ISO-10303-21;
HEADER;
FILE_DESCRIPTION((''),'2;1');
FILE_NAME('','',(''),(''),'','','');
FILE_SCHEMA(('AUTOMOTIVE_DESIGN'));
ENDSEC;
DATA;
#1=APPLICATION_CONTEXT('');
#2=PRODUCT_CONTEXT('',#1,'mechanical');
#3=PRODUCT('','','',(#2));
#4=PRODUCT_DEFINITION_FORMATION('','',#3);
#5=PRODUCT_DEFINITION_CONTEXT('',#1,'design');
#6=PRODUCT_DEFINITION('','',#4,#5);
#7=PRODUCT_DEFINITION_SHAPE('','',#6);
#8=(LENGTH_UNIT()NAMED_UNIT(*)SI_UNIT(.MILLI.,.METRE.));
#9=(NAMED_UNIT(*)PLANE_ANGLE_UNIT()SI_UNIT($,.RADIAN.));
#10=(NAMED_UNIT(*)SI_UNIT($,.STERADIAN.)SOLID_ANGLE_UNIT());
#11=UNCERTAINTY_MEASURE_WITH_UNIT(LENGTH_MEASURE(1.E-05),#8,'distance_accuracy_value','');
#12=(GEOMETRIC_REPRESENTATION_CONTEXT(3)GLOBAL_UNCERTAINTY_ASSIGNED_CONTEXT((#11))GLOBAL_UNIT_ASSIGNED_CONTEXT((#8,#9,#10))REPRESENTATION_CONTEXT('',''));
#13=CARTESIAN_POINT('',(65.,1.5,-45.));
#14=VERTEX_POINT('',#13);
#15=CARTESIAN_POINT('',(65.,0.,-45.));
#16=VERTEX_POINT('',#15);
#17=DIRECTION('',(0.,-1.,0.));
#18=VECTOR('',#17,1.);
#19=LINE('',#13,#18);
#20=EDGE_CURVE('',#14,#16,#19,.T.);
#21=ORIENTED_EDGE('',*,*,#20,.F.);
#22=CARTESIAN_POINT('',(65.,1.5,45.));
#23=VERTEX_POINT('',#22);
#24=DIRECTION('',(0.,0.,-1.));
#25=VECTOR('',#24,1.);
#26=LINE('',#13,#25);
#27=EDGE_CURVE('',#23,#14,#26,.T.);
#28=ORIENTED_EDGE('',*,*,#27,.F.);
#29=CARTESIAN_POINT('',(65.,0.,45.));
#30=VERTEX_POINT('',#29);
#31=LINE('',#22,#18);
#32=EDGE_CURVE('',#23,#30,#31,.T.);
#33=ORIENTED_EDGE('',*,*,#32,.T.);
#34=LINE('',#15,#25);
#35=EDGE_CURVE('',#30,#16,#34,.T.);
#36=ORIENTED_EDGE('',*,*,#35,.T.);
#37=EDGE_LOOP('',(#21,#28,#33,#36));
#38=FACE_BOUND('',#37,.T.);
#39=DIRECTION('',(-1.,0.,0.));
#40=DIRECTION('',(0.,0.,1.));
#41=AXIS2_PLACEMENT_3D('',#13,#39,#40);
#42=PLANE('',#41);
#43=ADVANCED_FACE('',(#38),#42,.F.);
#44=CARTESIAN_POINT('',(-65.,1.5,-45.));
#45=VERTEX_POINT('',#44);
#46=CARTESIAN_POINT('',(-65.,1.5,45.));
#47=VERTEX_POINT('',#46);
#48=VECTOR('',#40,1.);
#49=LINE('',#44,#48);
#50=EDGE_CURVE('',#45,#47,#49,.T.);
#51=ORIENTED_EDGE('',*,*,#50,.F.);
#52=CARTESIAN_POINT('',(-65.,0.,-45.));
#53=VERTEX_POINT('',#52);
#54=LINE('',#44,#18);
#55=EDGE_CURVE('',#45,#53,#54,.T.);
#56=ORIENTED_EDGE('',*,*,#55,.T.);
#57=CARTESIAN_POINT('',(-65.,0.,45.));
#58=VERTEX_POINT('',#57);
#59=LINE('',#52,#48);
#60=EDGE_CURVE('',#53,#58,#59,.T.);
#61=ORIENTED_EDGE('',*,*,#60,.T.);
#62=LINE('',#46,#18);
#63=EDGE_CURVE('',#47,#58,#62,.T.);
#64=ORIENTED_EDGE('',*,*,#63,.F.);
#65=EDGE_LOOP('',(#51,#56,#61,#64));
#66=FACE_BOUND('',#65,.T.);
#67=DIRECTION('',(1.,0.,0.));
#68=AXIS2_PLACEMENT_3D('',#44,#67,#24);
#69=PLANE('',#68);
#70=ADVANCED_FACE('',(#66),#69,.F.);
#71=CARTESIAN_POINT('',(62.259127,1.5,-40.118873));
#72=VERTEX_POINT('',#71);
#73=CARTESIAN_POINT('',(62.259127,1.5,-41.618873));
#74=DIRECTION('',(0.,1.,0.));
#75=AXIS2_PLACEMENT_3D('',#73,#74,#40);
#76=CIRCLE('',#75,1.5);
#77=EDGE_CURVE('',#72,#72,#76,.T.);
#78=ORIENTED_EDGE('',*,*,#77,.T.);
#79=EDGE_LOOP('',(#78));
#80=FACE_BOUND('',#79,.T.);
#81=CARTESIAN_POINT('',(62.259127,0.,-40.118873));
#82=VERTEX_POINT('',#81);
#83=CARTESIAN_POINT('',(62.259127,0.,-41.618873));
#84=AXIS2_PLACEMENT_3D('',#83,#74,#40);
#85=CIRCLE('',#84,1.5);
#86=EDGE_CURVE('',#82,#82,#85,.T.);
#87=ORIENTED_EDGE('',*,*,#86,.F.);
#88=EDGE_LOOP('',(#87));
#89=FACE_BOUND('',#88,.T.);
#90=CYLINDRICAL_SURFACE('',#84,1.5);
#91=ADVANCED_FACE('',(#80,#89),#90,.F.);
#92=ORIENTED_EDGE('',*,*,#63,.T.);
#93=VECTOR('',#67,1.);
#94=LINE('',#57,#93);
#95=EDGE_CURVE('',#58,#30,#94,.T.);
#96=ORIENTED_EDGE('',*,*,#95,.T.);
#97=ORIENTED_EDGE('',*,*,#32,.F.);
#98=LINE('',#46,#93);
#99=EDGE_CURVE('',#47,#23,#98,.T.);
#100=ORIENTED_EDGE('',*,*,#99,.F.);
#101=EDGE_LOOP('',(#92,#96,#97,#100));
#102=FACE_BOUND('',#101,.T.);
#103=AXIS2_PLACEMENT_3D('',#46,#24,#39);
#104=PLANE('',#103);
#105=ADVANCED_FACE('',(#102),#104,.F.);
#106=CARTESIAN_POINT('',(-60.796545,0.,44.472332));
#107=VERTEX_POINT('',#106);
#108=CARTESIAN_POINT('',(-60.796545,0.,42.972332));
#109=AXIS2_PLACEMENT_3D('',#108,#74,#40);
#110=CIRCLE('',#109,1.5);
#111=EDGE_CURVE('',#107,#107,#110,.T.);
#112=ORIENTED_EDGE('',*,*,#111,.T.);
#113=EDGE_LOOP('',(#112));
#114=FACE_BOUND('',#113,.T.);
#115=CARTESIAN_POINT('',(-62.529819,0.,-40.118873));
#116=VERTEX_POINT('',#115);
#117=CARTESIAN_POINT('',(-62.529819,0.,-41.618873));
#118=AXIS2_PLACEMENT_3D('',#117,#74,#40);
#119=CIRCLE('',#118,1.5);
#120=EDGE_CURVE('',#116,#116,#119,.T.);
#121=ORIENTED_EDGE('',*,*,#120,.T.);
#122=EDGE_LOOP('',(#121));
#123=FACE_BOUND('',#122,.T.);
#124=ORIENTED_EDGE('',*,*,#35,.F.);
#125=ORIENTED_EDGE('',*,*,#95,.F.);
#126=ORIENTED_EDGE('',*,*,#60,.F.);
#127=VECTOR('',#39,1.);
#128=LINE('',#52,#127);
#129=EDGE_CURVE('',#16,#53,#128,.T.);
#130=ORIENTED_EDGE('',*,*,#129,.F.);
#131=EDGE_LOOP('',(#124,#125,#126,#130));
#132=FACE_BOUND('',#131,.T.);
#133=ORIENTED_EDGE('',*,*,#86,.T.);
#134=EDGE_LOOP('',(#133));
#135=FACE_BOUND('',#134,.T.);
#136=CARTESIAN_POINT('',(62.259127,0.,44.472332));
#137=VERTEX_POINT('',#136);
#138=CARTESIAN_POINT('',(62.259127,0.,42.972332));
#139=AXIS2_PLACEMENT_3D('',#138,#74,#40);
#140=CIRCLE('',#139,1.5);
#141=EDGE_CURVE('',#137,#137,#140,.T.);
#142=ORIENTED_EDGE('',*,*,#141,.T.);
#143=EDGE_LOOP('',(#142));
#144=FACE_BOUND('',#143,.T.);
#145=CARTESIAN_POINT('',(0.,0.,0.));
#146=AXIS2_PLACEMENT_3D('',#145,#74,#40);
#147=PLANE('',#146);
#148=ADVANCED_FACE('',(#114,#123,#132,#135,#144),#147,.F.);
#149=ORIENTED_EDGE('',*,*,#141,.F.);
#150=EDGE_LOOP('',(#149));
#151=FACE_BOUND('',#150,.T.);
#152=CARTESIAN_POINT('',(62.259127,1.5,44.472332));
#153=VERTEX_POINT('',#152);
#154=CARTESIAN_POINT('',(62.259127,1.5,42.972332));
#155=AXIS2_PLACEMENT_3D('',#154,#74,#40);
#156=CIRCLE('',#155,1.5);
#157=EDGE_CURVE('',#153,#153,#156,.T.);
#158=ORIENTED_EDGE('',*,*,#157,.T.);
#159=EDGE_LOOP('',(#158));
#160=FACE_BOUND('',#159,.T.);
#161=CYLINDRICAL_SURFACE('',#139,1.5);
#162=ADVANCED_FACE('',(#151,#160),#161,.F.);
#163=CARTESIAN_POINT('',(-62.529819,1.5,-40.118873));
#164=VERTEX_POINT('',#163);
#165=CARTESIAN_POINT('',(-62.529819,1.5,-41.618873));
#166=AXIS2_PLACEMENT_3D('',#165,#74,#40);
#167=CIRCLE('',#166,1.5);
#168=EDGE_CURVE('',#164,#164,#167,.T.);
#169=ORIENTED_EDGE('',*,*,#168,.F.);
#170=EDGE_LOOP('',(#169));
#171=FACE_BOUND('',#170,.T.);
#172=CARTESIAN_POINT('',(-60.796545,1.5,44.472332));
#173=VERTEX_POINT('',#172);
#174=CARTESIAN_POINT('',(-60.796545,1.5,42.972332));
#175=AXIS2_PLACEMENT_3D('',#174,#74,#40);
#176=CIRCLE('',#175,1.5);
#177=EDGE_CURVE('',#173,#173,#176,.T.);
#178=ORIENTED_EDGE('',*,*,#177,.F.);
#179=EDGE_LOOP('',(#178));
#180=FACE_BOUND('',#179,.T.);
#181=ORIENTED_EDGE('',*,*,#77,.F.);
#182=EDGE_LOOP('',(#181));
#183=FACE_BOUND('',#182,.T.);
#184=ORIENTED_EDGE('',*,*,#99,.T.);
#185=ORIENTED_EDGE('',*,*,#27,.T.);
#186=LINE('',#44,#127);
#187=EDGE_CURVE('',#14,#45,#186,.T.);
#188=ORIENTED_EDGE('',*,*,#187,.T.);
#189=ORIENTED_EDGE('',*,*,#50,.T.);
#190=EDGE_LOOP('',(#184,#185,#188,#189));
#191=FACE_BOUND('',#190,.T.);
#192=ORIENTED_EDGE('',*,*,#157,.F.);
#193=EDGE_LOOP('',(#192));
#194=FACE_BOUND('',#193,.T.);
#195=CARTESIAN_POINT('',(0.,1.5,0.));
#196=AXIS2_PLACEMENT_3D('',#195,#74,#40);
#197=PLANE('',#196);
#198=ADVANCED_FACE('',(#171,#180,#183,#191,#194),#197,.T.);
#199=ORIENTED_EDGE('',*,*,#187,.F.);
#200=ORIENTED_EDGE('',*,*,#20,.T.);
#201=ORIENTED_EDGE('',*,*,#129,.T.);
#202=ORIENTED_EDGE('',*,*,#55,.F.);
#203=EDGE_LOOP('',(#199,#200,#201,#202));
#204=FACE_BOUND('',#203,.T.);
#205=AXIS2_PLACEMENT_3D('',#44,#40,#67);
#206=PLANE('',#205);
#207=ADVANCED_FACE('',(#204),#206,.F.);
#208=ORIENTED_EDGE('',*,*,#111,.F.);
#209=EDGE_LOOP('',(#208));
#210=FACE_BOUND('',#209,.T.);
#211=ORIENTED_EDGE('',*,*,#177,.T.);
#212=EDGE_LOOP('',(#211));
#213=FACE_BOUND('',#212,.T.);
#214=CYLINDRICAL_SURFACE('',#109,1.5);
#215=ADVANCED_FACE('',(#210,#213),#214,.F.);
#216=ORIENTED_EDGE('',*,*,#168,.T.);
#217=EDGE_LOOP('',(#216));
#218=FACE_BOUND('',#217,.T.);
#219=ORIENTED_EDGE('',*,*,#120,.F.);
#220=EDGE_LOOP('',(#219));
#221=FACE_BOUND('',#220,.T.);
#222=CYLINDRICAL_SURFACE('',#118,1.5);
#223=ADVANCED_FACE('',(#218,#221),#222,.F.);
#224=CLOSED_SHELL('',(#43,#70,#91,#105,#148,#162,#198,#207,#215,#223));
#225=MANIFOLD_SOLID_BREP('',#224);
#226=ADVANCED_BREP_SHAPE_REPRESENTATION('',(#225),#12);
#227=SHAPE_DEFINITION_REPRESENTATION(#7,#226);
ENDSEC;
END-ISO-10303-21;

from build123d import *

# Parameters (mm, degrees)
SKETCH1_W           = 130
SKETCH1_H           = 90
BOSS_EXTRUDE1_DEPTH = 1.5
SKETCH2_R           = 1.5
CUT_EXTRUDE1_DEPTH  = 80.071170473


with BuildPart() as part:
    # Sketch1 → Boss-Extrude1 (new body)
    with BuildSketch(Plane(origin=(0, 0, 0), x_dir=(1, 0, 0), z_dir=(0, 1, 0))):
        Rectangle(SKETCH1_W, SKETCH1_H)
    extrude(amount=BOSS_EXTRUDE1_DEPTH)

    # Sketch2 → Cut-Extrude1 (cut, through all)
    with BuildSketch(Plane(origin=(0, 1.5, 0), x_dir=(1, 0, 0), z_dir=(0, 1, 0))):
        with Locations(Location((-62.52981881, 41.618872909, 0), (0, 0, 270))):
            Circle(SKETCH2_R)
        with Locations(Location((62.259126954, 41.618872909, 0), (0, 0, 270))):
            Circle(SKETCH2_R)
        with Locations(Location((62.259126954, -42.972332191, 0), (0, 0, 270))):
            Circle(SKETCH2_R)
        with Locations(Location((-60.796545224, -42.972332191, 0), (0, 0, 270))):
            Circle(SKETCH2_R)
    extrude(amount=-CUT_EXTRUDE1_DEPTH, mode=Mode.SUBTRACT)


solid = part.part
